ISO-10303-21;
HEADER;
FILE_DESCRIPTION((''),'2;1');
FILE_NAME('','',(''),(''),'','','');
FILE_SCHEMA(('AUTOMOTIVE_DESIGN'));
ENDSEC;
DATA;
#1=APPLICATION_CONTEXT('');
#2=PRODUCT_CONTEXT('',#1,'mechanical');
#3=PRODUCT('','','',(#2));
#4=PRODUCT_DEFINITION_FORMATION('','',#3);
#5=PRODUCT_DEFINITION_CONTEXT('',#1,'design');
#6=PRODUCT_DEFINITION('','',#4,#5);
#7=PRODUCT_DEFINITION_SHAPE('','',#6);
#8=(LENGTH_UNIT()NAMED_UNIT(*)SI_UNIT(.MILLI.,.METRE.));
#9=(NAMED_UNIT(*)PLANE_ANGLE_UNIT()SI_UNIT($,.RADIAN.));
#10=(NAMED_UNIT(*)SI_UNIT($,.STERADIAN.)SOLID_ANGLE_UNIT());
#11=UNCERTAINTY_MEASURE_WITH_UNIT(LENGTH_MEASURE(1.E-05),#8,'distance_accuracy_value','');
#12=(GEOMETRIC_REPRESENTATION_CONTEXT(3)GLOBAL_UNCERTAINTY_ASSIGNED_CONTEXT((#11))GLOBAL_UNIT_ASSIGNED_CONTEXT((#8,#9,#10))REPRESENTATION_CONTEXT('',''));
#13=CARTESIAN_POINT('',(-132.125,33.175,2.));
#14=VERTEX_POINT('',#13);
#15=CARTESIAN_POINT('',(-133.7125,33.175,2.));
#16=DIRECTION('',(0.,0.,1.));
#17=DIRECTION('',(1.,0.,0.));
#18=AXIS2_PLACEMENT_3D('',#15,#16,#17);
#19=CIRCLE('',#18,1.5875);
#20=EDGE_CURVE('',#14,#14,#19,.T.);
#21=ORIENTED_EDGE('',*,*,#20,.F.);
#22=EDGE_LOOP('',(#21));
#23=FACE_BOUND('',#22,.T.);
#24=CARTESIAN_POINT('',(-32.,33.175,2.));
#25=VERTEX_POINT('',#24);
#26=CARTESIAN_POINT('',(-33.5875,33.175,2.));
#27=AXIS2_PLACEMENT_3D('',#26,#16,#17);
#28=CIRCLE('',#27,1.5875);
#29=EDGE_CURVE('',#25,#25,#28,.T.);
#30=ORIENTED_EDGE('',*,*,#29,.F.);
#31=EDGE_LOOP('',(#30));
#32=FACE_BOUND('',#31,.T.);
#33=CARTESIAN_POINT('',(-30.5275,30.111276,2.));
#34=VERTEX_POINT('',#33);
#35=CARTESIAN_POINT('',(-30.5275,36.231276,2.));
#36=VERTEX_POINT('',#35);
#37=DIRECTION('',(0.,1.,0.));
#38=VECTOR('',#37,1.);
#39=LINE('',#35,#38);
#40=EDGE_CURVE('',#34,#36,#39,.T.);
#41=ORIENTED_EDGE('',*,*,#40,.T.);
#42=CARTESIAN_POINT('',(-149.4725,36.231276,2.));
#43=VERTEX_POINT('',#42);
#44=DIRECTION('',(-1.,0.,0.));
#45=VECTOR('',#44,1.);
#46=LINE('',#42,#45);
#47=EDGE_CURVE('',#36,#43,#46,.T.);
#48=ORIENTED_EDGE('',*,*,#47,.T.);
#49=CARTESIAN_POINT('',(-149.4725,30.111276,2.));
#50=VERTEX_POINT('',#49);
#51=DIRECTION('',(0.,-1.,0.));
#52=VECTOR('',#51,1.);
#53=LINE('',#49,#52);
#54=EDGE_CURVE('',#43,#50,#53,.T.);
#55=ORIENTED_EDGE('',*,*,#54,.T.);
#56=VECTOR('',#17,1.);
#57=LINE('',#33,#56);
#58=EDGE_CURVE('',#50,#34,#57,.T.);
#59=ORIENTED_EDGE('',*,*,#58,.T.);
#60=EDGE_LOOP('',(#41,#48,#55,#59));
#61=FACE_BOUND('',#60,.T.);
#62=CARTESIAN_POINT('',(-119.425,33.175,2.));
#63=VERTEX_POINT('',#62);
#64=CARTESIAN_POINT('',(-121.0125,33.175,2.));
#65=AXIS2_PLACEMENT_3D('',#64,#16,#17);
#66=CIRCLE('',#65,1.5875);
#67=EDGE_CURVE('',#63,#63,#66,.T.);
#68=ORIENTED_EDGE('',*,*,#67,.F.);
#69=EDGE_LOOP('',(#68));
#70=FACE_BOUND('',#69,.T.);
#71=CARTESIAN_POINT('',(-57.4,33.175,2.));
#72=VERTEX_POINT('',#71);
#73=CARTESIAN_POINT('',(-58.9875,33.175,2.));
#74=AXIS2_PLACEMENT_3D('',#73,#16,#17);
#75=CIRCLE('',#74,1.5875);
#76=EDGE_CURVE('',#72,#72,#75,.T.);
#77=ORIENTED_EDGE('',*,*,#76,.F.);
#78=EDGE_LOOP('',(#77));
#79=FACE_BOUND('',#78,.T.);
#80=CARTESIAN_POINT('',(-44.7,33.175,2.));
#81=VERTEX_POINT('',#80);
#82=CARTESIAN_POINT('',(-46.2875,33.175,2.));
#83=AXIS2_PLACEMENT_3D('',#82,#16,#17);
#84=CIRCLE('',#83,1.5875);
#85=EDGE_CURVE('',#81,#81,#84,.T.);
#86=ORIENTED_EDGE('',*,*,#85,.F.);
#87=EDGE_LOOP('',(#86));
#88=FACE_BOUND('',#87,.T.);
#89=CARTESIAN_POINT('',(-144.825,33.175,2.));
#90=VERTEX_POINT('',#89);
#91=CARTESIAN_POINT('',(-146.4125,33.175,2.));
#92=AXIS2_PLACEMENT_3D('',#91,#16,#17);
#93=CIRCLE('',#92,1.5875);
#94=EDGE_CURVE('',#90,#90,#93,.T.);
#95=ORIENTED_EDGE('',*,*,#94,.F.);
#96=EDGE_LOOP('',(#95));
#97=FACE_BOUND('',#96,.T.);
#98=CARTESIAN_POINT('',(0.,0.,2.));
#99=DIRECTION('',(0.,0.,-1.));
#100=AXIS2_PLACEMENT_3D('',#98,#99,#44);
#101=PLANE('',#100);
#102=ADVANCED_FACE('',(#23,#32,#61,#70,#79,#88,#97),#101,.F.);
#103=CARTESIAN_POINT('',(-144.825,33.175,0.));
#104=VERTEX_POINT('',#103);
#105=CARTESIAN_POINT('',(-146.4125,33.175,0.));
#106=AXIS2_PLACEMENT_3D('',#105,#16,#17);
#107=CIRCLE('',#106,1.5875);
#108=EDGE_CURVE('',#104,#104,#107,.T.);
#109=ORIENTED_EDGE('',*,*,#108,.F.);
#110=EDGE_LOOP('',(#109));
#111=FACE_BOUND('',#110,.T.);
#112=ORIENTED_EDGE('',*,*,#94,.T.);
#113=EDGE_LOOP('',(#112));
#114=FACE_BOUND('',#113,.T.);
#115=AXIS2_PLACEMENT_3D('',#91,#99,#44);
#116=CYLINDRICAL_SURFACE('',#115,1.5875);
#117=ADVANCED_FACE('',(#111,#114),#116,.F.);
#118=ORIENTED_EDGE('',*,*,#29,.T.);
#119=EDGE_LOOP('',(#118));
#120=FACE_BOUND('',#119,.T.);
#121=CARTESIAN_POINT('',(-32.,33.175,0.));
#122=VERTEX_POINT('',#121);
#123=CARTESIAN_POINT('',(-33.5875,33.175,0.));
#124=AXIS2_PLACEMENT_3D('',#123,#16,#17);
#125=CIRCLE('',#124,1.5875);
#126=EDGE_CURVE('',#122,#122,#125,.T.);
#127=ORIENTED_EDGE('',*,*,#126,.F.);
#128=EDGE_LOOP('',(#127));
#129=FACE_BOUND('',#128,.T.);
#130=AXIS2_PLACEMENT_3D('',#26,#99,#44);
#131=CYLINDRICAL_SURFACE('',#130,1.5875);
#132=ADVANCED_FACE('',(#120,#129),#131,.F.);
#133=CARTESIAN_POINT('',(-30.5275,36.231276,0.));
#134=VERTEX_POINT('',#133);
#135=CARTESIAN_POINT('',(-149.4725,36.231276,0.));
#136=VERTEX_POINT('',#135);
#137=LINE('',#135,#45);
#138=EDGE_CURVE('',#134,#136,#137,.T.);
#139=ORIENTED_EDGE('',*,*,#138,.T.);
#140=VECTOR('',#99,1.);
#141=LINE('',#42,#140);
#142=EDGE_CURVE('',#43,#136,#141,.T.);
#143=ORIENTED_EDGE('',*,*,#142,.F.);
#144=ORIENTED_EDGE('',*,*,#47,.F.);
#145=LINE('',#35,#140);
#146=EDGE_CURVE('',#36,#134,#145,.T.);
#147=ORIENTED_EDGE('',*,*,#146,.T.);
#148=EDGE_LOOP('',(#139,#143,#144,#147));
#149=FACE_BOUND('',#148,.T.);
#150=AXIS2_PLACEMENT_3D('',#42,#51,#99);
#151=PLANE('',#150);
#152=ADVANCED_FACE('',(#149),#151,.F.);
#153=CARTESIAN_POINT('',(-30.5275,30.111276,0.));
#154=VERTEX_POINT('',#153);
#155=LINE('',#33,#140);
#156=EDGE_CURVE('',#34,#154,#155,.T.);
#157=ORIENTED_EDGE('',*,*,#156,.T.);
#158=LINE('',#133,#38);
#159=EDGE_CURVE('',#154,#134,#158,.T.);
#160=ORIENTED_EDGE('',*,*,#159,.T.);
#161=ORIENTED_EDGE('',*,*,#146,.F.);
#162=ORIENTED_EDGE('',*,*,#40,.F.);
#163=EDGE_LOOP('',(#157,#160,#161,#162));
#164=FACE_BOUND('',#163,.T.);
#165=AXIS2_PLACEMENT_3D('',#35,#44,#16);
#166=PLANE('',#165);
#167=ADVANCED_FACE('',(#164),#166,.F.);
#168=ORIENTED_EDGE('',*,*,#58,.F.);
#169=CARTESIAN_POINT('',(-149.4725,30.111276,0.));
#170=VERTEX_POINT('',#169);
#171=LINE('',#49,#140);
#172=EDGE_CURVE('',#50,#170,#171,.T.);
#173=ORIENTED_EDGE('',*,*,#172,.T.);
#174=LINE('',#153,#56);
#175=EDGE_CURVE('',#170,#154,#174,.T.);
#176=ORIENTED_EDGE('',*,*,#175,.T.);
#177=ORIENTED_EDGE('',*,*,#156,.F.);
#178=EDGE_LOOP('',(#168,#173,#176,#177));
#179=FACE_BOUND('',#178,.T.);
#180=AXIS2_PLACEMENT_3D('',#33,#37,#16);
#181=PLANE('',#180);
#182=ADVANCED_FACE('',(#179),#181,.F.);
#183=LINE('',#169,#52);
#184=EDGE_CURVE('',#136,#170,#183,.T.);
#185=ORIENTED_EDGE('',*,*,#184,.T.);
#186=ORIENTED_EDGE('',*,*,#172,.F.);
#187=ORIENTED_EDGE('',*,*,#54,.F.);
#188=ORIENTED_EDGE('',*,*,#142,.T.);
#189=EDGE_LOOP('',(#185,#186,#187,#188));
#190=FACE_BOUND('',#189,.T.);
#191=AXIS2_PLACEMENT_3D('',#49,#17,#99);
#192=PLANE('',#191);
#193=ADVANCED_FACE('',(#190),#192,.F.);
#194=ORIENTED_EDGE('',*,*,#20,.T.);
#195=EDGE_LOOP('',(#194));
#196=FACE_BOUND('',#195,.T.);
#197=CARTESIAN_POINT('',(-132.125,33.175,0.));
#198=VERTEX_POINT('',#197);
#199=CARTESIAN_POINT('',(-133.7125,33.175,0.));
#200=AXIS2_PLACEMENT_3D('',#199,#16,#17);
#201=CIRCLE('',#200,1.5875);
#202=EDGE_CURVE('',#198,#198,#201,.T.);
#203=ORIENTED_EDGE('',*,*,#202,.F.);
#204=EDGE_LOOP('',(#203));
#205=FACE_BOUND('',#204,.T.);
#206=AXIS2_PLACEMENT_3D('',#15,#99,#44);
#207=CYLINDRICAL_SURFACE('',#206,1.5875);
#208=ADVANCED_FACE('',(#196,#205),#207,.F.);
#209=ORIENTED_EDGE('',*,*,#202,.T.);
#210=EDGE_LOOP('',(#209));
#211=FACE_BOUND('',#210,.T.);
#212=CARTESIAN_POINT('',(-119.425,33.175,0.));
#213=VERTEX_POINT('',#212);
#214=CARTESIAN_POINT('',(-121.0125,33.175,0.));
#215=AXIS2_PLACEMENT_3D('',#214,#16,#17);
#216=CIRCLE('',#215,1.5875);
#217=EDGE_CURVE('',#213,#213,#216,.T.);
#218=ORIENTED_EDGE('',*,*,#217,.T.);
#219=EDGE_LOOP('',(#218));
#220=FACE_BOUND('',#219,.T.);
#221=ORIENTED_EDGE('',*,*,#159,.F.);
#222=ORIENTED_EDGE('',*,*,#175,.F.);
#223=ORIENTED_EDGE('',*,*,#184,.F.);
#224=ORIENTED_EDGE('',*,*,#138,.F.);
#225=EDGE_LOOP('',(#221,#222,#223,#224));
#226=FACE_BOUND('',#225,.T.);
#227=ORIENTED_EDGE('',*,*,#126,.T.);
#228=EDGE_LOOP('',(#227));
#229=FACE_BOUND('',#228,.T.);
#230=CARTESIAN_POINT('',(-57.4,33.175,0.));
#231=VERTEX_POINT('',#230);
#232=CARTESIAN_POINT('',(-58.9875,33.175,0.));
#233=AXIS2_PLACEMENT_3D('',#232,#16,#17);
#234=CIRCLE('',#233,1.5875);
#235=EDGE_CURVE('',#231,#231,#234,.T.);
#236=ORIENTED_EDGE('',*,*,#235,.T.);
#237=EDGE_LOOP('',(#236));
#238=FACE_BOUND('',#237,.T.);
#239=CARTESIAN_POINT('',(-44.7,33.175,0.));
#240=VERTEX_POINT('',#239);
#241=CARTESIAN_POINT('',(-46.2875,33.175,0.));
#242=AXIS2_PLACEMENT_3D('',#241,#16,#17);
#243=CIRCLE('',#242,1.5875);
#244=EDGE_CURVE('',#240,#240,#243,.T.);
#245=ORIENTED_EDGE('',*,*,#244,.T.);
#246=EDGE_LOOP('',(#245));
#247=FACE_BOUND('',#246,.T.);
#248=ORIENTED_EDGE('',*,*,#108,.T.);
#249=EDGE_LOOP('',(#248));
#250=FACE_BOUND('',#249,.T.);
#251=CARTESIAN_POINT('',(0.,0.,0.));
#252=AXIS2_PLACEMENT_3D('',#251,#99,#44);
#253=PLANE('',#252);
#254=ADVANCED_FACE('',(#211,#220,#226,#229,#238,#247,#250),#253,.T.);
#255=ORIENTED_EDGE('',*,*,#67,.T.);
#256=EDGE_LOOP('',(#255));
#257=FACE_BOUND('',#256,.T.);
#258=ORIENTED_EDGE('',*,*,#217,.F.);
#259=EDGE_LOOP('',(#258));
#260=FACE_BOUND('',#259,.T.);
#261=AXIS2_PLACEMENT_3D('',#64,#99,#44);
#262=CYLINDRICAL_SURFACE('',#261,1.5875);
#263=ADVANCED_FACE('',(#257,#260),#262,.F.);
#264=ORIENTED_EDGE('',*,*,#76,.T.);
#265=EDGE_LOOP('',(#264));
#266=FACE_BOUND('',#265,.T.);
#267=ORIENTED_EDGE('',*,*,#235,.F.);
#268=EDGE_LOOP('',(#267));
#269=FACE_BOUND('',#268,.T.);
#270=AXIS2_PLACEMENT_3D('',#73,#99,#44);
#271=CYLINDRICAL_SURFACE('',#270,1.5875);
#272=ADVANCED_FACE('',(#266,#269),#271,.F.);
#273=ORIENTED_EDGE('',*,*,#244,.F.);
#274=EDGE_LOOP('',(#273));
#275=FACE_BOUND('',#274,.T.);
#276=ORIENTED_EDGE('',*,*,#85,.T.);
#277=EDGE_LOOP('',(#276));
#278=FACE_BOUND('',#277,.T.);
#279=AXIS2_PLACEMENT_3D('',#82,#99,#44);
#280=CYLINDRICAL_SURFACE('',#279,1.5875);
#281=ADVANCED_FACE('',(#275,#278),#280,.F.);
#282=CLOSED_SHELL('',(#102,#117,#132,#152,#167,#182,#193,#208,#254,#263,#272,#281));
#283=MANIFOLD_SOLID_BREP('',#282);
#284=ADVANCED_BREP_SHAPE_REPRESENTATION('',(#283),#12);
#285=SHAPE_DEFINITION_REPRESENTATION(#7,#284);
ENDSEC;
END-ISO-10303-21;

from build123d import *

# Parameters (mm, degrees)
SKETCH2_W           = 118.945
SKETCH2_H           = 6.12
SKETCH2_R           = 1.5875
BOSS_EXTRUDE1_DEPTH = 2


with BuildPart() as part:
    # Sketch2 → Boss-Extrude1 (new body)
    with BuildSketch(Plane.XY):
        with Locations((-90, 33.1712758)):
            Rectangle(SKETCH2_W, SKETCH2_H)
        with Locations((-146.4125, 33.175)):
            Circle(SKETCH2_R, mode=Mode.SUBTRACT)
        with Locations((-133.7125, 33.175)):
            Circle(SKETCH2_R, mode=Mode.SUBTRACT)
        with Locations((-121.0125, 33.175)):
            Circle(SKETCH2_R, mode=Mode.SUBTRACT)
        with Locations((-58.9875, 33.175)):
            Circle(SKETCH2_R, mode=Mode.SUBTRACT)
        with Locations((-46.2875, 33.175)):
            Circle(SKETCH2_R, mode=Mode.SUBTRACT)
        with Locations((-33.5875, 33.175)):
            Circle(SKETCH2_R, mode=Mode.SUBTRACT)
    extrude(amount=BOSS_EXTRUDE1_DEPTH)


solid = part.part
